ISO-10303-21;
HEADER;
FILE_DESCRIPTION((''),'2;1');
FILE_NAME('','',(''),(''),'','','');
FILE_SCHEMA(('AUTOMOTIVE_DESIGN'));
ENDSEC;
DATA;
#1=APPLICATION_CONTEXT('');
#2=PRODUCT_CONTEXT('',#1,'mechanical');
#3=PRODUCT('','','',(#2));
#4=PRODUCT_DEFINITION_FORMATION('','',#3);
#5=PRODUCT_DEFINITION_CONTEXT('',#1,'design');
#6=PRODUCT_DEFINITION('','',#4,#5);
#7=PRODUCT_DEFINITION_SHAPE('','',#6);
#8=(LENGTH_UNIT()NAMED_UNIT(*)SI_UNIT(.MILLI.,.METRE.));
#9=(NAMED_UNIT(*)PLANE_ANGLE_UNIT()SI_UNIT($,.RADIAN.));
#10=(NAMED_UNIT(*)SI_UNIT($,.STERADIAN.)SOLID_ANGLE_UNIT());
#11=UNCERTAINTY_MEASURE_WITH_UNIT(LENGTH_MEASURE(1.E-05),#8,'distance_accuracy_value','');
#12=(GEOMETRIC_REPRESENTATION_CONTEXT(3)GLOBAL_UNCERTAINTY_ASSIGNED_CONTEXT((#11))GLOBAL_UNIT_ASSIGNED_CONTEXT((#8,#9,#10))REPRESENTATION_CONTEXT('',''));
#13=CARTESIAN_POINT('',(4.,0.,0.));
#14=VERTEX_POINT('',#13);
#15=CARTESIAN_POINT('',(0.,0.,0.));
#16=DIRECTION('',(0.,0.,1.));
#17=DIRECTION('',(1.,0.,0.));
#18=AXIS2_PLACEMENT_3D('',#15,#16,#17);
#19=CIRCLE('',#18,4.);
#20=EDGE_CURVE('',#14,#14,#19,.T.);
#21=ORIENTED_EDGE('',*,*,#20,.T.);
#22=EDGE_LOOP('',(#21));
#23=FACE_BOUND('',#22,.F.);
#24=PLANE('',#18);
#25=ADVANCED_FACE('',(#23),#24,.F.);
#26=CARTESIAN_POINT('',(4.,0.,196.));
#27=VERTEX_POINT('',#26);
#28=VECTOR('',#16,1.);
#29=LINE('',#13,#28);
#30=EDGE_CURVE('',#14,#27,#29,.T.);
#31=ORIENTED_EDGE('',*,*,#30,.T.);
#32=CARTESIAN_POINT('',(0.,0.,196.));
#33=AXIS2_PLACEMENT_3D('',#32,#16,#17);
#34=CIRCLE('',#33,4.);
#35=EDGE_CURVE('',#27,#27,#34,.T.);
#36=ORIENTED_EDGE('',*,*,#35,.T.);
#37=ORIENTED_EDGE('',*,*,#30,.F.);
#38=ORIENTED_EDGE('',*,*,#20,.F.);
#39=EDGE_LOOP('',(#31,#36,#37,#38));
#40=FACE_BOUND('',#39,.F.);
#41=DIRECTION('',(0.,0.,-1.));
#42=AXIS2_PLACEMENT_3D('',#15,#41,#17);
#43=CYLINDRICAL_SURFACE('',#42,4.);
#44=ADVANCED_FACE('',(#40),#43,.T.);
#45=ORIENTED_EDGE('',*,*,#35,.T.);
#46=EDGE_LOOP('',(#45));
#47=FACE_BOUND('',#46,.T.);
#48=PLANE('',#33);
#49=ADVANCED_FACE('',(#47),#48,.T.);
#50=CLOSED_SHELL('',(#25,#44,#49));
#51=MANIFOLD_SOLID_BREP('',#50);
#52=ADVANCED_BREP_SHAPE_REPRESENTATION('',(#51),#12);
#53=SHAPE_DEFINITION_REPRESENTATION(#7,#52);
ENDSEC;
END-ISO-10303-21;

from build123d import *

# Parameters (mm, degrees)
SKETCH_1_R      = 4
EXTRUDE_1_DEPTH = 196


with BuildPart() as part:
    # 草图1 → 凸台-拉伸1 (new body)
    with BuildSketch(Plane.XY):
        Circle(SKETCH_1_R)
    extrude(amount=EXTRUDE_1_DEPTH)


solid = part.part
